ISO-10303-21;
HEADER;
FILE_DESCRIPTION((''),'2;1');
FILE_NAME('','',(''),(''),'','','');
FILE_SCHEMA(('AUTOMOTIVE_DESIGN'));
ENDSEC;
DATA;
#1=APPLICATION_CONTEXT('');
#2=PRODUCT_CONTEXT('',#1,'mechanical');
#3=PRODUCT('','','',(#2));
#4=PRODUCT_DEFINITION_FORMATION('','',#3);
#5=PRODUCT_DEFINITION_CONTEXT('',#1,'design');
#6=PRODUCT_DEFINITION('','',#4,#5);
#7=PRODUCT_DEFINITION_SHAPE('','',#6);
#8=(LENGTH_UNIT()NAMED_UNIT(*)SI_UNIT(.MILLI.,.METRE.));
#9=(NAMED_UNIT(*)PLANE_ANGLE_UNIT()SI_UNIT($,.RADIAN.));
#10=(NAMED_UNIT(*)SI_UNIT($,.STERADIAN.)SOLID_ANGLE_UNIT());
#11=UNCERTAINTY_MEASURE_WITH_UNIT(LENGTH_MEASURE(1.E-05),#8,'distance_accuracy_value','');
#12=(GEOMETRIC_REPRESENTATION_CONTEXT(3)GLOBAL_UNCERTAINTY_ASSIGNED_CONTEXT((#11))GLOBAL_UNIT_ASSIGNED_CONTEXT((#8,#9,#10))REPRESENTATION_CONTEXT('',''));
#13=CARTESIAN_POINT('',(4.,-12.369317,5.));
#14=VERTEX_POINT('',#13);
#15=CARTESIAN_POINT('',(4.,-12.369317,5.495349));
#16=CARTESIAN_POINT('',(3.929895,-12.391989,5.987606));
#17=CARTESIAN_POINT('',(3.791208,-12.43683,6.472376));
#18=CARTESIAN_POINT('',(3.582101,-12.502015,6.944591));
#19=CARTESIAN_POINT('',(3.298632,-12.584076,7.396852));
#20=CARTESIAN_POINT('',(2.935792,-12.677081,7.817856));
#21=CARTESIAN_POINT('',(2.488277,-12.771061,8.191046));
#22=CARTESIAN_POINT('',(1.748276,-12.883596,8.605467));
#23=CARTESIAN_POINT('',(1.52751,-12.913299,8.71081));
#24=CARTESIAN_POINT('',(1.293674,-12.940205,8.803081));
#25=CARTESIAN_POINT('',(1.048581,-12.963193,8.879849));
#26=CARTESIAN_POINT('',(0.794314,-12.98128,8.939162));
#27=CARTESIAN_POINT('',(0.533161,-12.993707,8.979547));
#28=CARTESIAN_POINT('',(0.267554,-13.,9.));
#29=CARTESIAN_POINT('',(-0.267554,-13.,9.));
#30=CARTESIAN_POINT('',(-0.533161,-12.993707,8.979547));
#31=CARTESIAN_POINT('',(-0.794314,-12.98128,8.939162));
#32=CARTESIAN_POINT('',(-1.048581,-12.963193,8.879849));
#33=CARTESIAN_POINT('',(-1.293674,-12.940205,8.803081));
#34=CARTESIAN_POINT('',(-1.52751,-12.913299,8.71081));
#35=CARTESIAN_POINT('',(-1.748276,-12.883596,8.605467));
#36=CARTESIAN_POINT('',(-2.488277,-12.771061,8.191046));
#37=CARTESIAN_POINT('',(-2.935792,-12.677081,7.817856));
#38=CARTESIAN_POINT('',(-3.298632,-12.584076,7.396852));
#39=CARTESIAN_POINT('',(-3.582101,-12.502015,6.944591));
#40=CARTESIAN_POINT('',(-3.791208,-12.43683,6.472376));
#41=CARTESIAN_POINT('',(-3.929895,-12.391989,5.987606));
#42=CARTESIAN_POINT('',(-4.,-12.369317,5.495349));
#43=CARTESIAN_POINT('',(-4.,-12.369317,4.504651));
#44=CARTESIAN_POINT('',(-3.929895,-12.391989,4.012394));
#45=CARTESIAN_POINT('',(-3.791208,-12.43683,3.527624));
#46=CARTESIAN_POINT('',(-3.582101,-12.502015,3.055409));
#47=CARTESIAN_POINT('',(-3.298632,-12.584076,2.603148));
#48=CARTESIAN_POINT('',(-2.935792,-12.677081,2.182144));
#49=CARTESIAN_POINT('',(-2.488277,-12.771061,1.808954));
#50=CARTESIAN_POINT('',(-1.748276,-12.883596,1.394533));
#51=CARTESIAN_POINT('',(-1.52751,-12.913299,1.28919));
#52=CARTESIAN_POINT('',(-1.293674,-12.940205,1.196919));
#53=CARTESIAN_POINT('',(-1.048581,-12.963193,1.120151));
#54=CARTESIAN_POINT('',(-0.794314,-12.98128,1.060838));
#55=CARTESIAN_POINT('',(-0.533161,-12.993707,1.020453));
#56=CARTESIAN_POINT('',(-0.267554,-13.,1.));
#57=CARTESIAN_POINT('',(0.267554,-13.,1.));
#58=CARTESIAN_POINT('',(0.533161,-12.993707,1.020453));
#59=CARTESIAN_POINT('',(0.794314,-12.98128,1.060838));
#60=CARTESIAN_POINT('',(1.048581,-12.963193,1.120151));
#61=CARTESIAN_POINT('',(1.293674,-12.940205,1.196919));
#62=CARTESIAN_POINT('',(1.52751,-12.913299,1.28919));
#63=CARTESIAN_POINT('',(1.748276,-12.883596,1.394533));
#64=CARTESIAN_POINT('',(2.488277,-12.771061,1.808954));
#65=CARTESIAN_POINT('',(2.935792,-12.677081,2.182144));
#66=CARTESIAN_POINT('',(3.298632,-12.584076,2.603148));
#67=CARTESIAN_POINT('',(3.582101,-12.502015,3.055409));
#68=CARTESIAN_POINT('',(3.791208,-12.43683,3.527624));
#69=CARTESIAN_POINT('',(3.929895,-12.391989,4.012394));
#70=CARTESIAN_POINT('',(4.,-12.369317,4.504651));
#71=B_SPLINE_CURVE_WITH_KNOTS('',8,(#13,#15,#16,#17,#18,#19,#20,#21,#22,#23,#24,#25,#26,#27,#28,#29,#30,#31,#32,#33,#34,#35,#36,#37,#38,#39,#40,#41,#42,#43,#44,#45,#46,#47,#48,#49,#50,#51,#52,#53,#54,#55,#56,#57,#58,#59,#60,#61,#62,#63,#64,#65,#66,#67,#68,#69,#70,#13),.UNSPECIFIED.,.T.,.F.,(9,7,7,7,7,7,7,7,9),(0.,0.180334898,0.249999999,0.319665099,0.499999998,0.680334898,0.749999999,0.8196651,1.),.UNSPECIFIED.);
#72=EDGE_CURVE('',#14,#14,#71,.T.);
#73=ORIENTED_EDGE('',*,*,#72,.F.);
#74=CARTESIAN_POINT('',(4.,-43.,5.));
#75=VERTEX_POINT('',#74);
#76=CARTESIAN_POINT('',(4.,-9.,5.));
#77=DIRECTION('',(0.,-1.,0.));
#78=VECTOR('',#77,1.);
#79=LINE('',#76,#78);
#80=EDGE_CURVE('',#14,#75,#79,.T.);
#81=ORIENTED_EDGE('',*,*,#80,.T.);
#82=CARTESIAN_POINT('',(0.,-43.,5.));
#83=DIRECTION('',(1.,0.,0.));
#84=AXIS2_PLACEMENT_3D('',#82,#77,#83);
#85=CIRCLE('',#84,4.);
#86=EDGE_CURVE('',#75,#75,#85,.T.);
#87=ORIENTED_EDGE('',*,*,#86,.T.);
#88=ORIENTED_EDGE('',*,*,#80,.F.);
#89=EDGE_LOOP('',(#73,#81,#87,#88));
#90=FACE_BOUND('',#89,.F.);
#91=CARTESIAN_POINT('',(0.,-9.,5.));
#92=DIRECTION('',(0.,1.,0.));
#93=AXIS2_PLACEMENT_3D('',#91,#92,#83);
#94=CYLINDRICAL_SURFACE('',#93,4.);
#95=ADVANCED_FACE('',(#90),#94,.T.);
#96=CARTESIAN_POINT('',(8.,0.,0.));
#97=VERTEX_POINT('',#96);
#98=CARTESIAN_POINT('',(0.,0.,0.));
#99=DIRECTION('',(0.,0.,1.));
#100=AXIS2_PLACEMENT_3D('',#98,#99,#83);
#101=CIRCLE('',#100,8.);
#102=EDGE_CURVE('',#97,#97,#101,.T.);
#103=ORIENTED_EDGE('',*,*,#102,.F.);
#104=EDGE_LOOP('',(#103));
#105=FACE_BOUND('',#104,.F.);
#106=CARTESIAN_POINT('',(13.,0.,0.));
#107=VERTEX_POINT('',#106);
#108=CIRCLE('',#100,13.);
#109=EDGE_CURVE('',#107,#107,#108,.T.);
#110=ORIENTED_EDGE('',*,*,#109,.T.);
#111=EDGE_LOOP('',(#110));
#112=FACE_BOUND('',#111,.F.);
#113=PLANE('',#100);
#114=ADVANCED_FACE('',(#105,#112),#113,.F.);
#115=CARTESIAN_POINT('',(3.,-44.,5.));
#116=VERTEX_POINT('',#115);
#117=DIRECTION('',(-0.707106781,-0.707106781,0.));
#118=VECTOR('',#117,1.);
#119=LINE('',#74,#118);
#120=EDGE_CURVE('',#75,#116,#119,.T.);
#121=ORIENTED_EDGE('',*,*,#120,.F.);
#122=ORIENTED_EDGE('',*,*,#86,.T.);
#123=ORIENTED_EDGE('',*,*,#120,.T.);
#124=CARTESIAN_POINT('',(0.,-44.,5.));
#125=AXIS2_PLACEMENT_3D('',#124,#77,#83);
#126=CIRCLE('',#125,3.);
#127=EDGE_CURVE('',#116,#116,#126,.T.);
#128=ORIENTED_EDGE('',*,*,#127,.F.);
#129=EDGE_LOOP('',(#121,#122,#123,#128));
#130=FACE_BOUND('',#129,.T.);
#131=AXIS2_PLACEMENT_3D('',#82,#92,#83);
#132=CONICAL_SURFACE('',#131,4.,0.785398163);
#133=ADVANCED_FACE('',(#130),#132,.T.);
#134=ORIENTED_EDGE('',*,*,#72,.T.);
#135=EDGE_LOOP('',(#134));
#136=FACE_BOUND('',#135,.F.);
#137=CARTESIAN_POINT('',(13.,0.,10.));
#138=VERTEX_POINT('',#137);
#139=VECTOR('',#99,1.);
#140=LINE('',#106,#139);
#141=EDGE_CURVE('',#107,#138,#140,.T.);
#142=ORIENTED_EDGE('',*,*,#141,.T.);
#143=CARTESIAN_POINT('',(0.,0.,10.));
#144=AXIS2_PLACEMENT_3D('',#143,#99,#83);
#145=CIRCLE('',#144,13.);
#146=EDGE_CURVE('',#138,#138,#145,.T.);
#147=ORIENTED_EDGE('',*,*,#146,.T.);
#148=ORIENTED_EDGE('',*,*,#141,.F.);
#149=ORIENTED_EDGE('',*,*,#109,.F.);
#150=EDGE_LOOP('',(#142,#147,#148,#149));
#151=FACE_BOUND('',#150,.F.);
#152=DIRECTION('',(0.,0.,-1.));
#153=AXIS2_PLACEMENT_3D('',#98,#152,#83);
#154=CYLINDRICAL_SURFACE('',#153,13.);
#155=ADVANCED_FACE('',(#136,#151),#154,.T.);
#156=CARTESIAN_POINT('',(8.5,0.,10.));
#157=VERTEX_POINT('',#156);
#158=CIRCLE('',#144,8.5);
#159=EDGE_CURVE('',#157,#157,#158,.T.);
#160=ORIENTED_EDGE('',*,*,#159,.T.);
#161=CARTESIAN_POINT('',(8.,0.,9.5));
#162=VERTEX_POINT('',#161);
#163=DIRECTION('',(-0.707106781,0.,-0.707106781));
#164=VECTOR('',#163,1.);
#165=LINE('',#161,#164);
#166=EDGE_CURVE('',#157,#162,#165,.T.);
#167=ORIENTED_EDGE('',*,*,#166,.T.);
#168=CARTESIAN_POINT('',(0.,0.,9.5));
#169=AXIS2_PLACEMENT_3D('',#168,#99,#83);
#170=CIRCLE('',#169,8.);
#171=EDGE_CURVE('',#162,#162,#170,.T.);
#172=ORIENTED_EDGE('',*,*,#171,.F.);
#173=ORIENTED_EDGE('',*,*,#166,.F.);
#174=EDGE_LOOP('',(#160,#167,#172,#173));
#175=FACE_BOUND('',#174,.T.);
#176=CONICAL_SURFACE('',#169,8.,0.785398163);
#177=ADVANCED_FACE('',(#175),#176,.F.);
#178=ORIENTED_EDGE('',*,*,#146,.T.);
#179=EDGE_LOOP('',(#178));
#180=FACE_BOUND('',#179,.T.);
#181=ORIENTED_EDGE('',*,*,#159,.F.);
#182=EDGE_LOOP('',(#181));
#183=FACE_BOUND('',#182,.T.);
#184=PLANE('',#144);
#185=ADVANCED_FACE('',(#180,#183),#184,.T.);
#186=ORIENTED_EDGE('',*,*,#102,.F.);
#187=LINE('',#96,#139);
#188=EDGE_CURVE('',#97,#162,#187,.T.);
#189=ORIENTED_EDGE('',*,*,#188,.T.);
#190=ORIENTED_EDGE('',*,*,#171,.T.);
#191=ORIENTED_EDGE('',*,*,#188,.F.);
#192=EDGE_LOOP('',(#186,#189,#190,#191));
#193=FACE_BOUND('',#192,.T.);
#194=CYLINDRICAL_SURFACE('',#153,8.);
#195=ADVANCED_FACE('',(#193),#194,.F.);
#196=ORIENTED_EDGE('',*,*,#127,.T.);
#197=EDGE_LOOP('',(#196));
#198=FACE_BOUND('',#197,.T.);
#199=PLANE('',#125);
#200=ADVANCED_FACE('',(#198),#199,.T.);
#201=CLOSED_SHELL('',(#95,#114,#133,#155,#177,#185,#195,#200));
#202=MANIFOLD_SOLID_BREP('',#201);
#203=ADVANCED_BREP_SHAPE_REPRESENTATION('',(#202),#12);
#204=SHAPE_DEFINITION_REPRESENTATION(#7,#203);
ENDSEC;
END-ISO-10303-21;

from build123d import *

# Parameters (mm, degrees)
SKETCH_R        = 13
SKETCH_R_2      = 8
PAD_DEPTH       = 10
SKETCH001_R     = 4
PAD001_DEPTH    = 35
CHAMFER_SIZE    = 1
CHAMFER001_SIZE = 0.5


with BuildPart() as part:
    # Sketch → Pad (new body)
    with BuildSketch(Plane.XY):
        Circle(SKETCH_R)
        Circle(SKETCH_R_2, mode=Mode.SUBTRACT)
    extrude(amount=PAD_DEPTH)

    # Sketch001 → Pad001 (join)
    with BuildSketch(Plane.XZ.offset(9)):
        with Locations((0, 5)):
            Circle(SKETCH001_R)
    extrude(amount=PAD001_DEPTH)

    # Chamfer
    chamfer_edges = [part.edges().sort_by_distance(p)[0] for p in [
        (-4, -44, 5),
    ]]
    chamfer(chamfer_edges, length=CHAMFER_SIZE)

    # Chamfer001
    chamfer001_edges = [part.edges().sort_by_distance(p)[0] for p in [
        (-8, 0, 10),
    ]]
    chamfer(chamfer001_edges, length=CHAMFER001_SIZE)


solid = part.part
